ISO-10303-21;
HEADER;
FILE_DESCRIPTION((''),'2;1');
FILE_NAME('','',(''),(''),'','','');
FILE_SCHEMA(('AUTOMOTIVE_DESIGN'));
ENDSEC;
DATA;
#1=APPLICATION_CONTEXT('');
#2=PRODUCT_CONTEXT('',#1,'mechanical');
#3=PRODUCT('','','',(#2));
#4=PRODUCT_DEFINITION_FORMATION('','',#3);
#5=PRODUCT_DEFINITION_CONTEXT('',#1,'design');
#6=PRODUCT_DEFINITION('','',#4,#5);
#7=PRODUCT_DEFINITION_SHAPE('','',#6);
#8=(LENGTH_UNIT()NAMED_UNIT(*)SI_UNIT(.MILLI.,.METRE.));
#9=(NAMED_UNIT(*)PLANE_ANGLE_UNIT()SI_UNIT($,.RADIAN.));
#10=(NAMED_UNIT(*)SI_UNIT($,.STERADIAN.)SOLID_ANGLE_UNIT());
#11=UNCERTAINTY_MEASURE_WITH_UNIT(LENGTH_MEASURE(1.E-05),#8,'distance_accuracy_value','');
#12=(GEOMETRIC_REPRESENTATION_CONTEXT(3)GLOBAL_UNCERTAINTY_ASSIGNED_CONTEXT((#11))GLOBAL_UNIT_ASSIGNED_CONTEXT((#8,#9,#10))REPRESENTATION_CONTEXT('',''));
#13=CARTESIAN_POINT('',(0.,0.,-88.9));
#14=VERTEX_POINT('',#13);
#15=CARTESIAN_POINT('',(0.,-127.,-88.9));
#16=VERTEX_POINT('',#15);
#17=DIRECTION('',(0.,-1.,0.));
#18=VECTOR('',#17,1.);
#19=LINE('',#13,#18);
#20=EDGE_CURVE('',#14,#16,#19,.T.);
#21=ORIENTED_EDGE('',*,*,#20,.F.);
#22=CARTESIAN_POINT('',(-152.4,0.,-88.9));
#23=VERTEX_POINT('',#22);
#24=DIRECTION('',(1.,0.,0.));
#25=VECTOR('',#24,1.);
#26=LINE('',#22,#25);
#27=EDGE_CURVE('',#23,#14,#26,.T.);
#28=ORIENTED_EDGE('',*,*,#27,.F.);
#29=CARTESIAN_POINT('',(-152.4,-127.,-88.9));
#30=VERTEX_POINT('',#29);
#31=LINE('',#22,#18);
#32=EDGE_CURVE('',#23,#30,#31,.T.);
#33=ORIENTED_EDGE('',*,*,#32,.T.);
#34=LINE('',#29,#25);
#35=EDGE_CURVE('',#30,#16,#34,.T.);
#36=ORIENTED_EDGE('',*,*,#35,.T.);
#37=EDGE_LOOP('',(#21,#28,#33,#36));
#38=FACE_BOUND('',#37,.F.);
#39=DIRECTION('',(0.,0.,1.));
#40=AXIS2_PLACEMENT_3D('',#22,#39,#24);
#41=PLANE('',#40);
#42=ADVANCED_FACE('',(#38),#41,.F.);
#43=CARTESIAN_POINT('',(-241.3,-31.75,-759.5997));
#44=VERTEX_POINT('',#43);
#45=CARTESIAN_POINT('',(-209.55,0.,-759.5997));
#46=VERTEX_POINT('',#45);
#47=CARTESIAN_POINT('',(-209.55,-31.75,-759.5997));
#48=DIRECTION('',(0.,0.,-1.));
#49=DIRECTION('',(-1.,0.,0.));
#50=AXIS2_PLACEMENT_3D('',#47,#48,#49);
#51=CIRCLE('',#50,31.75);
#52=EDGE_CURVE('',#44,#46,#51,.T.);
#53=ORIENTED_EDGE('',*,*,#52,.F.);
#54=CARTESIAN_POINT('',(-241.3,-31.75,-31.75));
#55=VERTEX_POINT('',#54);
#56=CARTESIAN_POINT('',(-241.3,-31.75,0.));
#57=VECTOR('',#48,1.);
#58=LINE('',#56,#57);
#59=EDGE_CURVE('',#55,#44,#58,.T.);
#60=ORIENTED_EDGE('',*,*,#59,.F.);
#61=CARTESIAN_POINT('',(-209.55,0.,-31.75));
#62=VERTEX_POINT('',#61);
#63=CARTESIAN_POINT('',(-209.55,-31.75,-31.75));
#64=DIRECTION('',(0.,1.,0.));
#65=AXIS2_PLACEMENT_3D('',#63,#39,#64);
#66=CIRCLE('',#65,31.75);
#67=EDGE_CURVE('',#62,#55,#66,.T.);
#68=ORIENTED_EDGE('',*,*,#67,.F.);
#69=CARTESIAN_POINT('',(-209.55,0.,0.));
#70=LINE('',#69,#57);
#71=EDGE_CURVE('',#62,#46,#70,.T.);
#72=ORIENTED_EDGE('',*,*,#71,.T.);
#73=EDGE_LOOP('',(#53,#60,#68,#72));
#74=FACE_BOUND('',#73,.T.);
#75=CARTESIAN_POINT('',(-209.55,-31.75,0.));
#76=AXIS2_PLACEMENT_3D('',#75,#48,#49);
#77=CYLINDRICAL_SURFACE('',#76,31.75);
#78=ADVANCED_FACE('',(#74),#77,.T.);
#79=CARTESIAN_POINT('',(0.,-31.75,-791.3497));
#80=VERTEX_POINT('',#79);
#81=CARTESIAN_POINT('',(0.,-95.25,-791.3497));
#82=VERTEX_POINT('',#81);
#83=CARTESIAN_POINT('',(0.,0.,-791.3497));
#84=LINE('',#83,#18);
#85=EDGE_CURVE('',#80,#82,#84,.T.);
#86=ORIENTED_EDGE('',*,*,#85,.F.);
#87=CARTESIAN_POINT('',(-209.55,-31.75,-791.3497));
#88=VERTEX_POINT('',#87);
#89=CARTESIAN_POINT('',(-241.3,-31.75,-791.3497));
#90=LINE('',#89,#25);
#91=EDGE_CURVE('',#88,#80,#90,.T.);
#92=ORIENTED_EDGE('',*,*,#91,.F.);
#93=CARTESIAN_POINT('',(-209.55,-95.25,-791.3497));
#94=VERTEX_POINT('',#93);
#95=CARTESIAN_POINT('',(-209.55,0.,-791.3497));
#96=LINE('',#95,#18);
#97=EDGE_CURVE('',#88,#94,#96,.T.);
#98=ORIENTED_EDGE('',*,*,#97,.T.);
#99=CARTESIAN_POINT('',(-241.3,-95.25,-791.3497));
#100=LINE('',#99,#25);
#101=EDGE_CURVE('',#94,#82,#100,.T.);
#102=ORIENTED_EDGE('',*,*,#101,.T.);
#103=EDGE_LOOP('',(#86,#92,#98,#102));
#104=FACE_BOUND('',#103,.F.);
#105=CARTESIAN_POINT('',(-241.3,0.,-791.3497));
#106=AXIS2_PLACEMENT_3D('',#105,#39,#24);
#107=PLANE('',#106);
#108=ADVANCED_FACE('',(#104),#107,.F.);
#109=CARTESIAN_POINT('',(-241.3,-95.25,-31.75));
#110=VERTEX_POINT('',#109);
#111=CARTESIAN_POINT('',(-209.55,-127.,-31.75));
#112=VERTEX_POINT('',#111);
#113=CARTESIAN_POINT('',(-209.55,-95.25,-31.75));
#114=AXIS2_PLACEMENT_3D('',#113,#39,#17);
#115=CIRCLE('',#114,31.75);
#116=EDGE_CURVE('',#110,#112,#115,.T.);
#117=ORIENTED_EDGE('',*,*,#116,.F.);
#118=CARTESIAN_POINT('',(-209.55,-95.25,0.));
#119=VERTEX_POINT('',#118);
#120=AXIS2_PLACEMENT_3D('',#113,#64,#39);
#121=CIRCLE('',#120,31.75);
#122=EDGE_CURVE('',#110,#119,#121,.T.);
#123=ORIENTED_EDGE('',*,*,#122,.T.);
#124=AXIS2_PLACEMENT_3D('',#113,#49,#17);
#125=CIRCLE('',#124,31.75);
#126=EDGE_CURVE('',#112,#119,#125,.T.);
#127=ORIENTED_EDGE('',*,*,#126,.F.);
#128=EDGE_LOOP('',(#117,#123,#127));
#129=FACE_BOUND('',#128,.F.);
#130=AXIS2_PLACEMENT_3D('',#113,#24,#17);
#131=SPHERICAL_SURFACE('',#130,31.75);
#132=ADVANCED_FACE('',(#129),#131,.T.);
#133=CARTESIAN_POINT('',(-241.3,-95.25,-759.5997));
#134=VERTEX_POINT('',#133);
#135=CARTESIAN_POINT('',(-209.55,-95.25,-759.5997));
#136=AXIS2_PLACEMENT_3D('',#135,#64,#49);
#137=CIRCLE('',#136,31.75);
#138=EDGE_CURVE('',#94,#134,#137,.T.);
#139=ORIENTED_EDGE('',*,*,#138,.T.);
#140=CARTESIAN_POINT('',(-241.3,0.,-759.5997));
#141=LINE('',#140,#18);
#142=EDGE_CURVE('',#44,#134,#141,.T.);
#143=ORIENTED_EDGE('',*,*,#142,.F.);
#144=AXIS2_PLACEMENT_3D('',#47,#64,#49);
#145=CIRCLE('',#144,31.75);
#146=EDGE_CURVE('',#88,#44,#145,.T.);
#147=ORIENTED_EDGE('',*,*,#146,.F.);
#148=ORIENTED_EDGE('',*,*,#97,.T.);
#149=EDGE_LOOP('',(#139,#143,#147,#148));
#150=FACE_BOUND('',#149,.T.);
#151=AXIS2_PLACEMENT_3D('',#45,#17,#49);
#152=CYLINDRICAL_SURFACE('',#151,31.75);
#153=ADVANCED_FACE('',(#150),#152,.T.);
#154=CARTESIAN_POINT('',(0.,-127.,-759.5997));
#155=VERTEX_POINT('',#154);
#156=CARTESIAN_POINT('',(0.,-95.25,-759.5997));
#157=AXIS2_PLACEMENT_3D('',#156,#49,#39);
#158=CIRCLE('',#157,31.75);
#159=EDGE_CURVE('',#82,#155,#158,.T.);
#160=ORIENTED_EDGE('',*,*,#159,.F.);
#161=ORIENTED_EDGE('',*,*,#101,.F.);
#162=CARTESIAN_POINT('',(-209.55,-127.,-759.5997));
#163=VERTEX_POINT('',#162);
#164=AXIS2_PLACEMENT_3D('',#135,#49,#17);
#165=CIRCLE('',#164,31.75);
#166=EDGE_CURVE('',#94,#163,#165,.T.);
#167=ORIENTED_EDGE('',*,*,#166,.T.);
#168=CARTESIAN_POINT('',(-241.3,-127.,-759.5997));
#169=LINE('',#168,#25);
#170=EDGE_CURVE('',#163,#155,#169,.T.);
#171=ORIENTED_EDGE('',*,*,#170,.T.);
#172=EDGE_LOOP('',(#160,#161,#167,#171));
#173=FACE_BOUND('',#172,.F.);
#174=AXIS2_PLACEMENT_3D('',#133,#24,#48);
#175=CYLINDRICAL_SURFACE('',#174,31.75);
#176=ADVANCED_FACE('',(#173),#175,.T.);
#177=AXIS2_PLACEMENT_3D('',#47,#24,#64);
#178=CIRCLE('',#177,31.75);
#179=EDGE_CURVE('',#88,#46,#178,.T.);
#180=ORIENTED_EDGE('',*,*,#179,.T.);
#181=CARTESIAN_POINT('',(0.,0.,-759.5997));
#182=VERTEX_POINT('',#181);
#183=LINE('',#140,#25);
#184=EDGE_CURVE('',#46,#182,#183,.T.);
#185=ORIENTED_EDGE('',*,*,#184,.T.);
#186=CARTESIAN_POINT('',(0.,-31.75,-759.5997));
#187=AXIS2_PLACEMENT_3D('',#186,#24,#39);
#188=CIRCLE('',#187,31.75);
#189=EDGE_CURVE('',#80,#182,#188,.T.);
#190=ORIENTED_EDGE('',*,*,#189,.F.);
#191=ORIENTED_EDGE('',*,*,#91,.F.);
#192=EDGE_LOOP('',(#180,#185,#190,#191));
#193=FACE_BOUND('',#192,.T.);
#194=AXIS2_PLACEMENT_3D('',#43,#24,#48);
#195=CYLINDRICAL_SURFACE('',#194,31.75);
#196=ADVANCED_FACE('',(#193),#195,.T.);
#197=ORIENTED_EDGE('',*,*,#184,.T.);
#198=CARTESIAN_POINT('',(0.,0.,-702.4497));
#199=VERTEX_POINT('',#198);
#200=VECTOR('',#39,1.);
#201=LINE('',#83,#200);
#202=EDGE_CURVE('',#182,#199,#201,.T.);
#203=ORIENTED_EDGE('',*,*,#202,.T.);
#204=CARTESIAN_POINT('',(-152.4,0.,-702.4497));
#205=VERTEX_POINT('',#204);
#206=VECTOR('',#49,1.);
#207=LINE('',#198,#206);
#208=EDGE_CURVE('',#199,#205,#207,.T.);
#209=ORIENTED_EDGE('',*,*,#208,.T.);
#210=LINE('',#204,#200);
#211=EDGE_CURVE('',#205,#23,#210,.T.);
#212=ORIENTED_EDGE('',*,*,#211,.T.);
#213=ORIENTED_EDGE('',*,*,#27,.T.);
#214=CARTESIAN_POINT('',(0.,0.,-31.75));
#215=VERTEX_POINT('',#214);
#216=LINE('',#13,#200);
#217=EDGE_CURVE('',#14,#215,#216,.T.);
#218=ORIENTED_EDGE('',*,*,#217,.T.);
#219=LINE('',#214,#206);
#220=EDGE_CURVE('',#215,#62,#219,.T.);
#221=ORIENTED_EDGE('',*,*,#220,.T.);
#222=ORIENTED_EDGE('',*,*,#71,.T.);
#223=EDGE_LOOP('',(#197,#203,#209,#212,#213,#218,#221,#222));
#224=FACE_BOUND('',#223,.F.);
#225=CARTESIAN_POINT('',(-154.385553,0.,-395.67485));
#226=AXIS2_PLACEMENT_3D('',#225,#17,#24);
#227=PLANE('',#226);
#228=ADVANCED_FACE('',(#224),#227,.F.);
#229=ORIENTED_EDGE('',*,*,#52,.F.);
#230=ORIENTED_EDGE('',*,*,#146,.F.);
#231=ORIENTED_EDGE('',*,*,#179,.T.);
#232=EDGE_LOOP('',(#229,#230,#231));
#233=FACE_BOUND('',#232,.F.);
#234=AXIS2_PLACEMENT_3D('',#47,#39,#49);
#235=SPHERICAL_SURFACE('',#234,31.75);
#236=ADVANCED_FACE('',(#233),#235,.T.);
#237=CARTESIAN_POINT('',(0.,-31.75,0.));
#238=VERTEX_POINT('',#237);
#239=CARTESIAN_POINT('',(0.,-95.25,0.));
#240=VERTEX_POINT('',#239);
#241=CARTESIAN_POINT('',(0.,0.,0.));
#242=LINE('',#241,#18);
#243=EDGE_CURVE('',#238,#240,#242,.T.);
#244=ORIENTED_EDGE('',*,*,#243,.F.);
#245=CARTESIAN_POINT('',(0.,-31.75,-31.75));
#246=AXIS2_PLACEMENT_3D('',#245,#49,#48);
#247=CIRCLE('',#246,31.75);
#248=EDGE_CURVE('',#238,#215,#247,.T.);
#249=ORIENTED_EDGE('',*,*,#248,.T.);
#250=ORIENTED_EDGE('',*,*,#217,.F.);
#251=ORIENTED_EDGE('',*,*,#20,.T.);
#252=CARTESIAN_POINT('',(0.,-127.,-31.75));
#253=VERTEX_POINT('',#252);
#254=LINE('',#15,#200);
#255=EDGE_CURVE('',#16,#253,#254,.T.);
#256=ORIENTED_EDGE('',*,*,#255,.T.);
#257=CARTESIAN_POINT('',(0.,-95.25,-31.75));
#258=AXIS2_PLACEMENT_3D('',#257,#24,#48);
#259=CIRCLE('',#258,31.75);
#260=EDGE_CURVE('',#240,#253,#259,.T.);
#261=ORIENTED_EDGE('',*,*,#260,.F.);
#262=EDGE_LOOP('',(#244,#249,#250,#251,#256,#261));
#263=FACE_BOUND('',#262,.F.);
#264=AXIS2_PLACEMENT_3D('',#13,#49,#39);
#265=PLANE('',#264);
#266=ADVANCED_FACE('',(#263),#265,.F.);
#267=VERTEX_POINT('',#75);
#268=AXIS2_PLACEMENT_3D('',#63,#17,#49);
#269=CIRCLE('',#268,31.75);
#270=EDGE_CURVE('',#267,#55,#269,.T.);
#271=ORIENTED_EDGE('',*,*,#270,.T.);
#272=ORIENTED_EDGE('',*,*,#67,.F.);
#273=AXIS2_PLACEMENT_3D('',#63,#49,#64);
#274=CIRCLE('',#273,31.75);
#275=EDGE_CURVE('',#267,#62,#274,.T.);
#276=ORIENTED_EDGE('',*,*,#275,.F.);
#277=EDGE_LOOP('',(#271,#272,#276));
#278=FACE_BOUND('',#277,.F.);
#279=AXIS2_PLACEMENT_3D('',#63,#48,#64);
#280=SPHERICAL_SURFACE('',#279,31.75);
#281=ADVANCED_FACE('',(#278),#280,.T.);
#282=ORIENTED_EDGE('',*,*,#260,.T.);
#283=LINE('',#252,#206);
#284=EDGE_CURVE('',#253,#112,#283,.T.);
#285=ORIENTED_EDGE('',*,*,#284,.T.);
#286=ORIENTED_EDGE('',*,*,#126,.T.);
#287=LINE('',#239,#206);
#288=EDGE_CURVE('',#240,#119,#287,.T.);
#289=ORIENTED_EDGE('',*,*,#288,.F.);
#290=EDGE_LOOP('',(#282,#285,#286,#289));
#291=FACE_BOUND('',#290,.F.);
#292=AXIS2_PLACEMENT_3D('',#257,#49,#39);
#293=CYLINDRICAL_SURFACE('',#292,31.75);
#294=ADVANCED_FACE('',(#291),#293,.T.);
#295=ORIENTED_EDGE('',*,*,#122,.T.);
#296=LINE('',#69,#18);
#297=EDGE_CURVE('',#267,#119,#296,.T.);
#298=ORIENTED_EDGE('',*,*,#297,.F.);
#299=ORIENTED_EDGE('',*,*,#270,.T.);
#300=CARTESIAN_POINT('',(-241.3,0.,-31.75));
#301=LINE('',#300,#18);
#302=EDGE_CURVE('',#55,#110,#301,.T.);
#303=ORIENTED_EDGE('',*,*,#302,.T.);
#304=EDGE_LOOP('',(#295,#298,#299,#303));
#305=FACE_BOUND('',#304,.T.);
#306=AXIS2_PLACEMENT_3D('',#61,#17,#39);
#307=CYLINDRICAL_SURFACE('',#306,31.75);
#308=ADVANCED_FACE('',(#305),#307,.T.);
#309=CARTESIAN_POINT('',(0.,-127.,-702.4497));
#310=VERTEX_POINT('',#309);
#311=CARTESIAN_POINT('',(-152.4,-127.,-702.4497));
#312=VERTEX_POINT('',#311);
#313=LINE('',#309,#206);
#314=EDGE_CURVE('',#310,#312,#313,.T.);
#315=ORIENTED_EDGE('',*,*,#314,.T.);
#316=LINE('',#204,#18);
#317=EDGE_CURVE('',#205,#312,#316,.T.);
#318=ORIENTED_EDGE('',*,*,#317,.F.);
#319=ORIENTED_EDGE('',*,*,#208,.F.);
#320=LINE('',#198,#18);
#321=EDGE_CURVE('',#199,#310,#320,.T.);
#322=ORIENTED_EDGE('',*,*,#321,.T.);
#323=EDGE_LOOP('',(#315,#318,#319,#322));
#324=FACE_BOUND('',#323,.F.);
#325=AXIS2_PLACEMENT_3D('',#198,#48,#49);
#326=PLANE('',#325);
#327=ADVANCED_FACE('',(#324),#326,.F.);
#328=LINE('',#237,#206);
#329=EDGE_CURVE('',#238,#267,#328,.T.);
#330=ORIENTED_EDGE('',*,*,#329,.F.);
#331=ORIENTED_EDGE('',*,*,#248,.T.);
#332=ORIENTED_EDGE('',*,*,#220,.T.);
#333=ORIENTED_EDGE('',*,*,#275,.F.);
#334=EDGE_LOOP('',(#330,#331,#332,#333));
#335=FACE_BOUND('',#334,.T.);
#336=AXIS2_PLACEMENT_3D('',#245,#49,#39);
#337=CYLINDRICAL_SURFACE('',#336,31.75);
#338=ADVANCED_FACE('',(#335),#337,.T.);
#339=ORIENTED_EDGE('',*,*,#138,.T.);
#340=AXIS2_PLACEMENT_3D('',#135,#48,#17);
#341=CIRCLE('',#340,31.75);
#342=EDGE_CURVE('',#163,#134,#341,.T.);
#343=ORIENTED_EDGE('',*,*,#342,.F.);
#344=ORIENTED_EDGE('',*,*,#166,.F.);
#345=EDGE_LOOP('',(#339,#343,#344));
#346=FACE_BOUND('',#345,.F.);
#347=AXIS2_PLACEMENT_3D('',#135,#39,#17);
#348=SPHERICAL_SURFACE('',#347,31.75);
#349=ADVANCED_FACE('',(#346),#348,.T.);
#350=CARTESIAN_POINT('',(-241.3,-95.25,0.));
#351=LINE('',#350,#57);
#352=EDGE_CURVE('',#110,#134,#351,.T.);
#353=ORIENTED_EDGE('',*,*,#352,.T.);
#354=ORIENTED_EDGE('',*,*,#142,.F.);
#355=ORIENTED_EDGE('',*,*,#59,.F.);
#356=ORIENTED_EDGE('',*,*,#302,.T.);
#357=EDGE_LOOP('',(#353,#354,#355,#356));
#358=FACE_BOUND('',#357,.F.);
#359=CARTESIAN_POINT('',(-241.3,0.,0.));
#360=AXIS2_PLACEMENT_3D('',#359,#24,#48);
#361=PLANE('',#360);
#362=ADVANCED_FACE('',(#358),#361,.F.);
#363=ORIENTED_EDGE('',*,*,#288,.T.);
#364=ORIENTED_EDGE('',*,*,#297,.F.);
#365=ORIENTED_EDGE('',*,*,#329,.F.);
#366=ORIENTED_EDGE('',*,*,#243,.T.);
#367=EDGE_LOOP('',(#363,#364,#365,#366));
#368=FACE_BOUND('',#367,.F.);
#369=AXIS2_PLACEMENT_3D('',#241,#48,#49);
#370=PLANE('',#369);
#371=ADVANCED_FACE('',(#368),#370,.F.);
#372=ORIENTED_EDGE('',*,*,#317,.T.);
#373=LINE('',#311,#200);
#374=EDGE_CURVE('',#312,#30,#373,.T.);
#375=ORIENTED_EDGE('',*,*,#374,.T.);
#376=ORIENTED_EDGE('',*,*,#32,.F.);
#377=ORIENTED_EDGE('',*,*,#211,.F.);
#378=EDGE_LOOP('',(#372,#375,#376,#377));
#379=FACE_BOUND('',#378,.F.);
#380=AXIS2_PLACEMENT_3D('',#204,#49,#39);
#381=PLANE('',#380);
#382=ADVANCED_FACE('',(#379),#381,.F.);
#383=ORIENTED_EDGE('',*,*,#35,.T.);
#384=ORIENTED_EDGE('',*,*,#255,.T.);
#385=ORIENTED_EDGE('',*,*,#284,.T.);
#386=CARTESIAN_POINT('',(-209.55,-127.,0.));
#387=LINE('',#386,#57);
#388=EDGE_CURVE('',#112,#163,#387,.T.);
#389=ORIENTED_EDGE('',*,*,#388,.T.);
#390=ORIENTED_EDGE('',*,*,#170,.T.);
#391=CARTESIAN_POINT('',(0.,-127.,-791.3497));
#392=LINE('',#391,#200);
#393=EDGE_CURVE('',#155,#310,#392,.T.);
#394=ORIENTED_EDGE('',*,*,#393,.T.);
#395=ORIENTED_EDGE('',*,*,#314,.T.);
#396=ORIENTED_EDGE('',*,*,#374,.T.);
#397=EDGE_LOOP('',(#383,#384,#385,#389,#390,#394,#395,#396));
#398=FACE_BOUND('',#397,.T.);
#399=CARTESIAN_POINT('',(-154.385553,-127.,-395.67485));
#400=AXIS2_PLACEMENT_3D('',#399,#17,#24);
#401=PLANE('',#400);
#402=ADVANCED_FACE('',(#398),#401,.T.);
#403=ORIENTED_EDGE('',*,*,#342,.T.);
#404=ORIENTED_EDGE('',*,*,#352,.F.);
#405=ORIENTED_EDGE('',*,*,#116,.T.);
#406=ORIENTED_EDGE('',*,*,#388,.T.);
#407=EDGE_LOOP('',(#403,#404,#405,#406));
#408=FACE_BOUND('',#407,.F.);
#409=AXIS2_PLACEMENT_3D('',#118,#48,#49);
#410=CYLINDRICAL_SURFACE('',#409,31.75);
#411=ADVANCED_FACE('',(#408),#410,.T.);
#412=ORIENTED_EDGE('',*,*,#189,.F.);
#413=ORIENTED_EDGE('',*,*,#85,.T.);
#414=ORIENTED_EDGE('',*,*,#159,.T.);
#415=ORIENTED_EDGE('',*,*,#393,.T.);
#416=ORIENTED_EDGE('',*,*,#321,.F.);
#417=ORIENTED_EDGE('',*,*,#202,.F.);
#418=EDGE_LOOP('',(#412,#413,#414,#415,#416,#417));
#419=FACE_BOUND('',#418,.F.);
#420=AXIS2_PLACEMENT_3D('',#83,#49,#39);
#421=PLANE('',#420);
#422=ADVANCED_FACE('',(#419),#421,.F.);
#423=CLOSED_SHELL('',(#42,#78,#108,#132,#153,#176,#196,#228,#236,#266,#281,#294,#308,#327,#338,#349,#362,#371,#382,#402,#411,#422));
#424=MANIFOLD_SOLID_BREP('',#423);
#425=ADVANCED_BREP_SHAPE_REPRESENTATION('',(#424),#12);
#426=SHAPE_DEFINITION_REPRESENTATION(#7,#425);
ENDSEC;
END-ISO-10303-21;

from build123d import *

# Parameters (mm, degrees)
F1_DEPTH = 127
F2_R     = 31.75


with BuildPart() as f1:
    # F0 (on Front) → F1 (new body)
    with BuildSketch(Plane.XZ):
        Polygon((0, -88.9), (0, 0), (-241.3, 0), (-241.3, -791.3497), (0, -791.3497), (0, -702.4497), (-152.4, -702.4497), (-152.4, -88.9), align=None)
    extrude(amount=F1_DEPTH)

    # F2
    f2_edges = [f1.edges().sort_by_distance(p)[0] for p in [
        (-120.65, -127, 0),
        (-241.3, -127, -395.67485),
        (-241.3, 0, -395.67485),
        (-120.65, 0, 0),
        (-120.65, -127, -791.3497),
        (-241.3, -63.5, -791.3497),
        (-241.3, -63.5, 0),
        (-120.65, 0, -791.3497),
    ]]
    fillet(f2_edges, radius=F2_R)


solid = f1.part
